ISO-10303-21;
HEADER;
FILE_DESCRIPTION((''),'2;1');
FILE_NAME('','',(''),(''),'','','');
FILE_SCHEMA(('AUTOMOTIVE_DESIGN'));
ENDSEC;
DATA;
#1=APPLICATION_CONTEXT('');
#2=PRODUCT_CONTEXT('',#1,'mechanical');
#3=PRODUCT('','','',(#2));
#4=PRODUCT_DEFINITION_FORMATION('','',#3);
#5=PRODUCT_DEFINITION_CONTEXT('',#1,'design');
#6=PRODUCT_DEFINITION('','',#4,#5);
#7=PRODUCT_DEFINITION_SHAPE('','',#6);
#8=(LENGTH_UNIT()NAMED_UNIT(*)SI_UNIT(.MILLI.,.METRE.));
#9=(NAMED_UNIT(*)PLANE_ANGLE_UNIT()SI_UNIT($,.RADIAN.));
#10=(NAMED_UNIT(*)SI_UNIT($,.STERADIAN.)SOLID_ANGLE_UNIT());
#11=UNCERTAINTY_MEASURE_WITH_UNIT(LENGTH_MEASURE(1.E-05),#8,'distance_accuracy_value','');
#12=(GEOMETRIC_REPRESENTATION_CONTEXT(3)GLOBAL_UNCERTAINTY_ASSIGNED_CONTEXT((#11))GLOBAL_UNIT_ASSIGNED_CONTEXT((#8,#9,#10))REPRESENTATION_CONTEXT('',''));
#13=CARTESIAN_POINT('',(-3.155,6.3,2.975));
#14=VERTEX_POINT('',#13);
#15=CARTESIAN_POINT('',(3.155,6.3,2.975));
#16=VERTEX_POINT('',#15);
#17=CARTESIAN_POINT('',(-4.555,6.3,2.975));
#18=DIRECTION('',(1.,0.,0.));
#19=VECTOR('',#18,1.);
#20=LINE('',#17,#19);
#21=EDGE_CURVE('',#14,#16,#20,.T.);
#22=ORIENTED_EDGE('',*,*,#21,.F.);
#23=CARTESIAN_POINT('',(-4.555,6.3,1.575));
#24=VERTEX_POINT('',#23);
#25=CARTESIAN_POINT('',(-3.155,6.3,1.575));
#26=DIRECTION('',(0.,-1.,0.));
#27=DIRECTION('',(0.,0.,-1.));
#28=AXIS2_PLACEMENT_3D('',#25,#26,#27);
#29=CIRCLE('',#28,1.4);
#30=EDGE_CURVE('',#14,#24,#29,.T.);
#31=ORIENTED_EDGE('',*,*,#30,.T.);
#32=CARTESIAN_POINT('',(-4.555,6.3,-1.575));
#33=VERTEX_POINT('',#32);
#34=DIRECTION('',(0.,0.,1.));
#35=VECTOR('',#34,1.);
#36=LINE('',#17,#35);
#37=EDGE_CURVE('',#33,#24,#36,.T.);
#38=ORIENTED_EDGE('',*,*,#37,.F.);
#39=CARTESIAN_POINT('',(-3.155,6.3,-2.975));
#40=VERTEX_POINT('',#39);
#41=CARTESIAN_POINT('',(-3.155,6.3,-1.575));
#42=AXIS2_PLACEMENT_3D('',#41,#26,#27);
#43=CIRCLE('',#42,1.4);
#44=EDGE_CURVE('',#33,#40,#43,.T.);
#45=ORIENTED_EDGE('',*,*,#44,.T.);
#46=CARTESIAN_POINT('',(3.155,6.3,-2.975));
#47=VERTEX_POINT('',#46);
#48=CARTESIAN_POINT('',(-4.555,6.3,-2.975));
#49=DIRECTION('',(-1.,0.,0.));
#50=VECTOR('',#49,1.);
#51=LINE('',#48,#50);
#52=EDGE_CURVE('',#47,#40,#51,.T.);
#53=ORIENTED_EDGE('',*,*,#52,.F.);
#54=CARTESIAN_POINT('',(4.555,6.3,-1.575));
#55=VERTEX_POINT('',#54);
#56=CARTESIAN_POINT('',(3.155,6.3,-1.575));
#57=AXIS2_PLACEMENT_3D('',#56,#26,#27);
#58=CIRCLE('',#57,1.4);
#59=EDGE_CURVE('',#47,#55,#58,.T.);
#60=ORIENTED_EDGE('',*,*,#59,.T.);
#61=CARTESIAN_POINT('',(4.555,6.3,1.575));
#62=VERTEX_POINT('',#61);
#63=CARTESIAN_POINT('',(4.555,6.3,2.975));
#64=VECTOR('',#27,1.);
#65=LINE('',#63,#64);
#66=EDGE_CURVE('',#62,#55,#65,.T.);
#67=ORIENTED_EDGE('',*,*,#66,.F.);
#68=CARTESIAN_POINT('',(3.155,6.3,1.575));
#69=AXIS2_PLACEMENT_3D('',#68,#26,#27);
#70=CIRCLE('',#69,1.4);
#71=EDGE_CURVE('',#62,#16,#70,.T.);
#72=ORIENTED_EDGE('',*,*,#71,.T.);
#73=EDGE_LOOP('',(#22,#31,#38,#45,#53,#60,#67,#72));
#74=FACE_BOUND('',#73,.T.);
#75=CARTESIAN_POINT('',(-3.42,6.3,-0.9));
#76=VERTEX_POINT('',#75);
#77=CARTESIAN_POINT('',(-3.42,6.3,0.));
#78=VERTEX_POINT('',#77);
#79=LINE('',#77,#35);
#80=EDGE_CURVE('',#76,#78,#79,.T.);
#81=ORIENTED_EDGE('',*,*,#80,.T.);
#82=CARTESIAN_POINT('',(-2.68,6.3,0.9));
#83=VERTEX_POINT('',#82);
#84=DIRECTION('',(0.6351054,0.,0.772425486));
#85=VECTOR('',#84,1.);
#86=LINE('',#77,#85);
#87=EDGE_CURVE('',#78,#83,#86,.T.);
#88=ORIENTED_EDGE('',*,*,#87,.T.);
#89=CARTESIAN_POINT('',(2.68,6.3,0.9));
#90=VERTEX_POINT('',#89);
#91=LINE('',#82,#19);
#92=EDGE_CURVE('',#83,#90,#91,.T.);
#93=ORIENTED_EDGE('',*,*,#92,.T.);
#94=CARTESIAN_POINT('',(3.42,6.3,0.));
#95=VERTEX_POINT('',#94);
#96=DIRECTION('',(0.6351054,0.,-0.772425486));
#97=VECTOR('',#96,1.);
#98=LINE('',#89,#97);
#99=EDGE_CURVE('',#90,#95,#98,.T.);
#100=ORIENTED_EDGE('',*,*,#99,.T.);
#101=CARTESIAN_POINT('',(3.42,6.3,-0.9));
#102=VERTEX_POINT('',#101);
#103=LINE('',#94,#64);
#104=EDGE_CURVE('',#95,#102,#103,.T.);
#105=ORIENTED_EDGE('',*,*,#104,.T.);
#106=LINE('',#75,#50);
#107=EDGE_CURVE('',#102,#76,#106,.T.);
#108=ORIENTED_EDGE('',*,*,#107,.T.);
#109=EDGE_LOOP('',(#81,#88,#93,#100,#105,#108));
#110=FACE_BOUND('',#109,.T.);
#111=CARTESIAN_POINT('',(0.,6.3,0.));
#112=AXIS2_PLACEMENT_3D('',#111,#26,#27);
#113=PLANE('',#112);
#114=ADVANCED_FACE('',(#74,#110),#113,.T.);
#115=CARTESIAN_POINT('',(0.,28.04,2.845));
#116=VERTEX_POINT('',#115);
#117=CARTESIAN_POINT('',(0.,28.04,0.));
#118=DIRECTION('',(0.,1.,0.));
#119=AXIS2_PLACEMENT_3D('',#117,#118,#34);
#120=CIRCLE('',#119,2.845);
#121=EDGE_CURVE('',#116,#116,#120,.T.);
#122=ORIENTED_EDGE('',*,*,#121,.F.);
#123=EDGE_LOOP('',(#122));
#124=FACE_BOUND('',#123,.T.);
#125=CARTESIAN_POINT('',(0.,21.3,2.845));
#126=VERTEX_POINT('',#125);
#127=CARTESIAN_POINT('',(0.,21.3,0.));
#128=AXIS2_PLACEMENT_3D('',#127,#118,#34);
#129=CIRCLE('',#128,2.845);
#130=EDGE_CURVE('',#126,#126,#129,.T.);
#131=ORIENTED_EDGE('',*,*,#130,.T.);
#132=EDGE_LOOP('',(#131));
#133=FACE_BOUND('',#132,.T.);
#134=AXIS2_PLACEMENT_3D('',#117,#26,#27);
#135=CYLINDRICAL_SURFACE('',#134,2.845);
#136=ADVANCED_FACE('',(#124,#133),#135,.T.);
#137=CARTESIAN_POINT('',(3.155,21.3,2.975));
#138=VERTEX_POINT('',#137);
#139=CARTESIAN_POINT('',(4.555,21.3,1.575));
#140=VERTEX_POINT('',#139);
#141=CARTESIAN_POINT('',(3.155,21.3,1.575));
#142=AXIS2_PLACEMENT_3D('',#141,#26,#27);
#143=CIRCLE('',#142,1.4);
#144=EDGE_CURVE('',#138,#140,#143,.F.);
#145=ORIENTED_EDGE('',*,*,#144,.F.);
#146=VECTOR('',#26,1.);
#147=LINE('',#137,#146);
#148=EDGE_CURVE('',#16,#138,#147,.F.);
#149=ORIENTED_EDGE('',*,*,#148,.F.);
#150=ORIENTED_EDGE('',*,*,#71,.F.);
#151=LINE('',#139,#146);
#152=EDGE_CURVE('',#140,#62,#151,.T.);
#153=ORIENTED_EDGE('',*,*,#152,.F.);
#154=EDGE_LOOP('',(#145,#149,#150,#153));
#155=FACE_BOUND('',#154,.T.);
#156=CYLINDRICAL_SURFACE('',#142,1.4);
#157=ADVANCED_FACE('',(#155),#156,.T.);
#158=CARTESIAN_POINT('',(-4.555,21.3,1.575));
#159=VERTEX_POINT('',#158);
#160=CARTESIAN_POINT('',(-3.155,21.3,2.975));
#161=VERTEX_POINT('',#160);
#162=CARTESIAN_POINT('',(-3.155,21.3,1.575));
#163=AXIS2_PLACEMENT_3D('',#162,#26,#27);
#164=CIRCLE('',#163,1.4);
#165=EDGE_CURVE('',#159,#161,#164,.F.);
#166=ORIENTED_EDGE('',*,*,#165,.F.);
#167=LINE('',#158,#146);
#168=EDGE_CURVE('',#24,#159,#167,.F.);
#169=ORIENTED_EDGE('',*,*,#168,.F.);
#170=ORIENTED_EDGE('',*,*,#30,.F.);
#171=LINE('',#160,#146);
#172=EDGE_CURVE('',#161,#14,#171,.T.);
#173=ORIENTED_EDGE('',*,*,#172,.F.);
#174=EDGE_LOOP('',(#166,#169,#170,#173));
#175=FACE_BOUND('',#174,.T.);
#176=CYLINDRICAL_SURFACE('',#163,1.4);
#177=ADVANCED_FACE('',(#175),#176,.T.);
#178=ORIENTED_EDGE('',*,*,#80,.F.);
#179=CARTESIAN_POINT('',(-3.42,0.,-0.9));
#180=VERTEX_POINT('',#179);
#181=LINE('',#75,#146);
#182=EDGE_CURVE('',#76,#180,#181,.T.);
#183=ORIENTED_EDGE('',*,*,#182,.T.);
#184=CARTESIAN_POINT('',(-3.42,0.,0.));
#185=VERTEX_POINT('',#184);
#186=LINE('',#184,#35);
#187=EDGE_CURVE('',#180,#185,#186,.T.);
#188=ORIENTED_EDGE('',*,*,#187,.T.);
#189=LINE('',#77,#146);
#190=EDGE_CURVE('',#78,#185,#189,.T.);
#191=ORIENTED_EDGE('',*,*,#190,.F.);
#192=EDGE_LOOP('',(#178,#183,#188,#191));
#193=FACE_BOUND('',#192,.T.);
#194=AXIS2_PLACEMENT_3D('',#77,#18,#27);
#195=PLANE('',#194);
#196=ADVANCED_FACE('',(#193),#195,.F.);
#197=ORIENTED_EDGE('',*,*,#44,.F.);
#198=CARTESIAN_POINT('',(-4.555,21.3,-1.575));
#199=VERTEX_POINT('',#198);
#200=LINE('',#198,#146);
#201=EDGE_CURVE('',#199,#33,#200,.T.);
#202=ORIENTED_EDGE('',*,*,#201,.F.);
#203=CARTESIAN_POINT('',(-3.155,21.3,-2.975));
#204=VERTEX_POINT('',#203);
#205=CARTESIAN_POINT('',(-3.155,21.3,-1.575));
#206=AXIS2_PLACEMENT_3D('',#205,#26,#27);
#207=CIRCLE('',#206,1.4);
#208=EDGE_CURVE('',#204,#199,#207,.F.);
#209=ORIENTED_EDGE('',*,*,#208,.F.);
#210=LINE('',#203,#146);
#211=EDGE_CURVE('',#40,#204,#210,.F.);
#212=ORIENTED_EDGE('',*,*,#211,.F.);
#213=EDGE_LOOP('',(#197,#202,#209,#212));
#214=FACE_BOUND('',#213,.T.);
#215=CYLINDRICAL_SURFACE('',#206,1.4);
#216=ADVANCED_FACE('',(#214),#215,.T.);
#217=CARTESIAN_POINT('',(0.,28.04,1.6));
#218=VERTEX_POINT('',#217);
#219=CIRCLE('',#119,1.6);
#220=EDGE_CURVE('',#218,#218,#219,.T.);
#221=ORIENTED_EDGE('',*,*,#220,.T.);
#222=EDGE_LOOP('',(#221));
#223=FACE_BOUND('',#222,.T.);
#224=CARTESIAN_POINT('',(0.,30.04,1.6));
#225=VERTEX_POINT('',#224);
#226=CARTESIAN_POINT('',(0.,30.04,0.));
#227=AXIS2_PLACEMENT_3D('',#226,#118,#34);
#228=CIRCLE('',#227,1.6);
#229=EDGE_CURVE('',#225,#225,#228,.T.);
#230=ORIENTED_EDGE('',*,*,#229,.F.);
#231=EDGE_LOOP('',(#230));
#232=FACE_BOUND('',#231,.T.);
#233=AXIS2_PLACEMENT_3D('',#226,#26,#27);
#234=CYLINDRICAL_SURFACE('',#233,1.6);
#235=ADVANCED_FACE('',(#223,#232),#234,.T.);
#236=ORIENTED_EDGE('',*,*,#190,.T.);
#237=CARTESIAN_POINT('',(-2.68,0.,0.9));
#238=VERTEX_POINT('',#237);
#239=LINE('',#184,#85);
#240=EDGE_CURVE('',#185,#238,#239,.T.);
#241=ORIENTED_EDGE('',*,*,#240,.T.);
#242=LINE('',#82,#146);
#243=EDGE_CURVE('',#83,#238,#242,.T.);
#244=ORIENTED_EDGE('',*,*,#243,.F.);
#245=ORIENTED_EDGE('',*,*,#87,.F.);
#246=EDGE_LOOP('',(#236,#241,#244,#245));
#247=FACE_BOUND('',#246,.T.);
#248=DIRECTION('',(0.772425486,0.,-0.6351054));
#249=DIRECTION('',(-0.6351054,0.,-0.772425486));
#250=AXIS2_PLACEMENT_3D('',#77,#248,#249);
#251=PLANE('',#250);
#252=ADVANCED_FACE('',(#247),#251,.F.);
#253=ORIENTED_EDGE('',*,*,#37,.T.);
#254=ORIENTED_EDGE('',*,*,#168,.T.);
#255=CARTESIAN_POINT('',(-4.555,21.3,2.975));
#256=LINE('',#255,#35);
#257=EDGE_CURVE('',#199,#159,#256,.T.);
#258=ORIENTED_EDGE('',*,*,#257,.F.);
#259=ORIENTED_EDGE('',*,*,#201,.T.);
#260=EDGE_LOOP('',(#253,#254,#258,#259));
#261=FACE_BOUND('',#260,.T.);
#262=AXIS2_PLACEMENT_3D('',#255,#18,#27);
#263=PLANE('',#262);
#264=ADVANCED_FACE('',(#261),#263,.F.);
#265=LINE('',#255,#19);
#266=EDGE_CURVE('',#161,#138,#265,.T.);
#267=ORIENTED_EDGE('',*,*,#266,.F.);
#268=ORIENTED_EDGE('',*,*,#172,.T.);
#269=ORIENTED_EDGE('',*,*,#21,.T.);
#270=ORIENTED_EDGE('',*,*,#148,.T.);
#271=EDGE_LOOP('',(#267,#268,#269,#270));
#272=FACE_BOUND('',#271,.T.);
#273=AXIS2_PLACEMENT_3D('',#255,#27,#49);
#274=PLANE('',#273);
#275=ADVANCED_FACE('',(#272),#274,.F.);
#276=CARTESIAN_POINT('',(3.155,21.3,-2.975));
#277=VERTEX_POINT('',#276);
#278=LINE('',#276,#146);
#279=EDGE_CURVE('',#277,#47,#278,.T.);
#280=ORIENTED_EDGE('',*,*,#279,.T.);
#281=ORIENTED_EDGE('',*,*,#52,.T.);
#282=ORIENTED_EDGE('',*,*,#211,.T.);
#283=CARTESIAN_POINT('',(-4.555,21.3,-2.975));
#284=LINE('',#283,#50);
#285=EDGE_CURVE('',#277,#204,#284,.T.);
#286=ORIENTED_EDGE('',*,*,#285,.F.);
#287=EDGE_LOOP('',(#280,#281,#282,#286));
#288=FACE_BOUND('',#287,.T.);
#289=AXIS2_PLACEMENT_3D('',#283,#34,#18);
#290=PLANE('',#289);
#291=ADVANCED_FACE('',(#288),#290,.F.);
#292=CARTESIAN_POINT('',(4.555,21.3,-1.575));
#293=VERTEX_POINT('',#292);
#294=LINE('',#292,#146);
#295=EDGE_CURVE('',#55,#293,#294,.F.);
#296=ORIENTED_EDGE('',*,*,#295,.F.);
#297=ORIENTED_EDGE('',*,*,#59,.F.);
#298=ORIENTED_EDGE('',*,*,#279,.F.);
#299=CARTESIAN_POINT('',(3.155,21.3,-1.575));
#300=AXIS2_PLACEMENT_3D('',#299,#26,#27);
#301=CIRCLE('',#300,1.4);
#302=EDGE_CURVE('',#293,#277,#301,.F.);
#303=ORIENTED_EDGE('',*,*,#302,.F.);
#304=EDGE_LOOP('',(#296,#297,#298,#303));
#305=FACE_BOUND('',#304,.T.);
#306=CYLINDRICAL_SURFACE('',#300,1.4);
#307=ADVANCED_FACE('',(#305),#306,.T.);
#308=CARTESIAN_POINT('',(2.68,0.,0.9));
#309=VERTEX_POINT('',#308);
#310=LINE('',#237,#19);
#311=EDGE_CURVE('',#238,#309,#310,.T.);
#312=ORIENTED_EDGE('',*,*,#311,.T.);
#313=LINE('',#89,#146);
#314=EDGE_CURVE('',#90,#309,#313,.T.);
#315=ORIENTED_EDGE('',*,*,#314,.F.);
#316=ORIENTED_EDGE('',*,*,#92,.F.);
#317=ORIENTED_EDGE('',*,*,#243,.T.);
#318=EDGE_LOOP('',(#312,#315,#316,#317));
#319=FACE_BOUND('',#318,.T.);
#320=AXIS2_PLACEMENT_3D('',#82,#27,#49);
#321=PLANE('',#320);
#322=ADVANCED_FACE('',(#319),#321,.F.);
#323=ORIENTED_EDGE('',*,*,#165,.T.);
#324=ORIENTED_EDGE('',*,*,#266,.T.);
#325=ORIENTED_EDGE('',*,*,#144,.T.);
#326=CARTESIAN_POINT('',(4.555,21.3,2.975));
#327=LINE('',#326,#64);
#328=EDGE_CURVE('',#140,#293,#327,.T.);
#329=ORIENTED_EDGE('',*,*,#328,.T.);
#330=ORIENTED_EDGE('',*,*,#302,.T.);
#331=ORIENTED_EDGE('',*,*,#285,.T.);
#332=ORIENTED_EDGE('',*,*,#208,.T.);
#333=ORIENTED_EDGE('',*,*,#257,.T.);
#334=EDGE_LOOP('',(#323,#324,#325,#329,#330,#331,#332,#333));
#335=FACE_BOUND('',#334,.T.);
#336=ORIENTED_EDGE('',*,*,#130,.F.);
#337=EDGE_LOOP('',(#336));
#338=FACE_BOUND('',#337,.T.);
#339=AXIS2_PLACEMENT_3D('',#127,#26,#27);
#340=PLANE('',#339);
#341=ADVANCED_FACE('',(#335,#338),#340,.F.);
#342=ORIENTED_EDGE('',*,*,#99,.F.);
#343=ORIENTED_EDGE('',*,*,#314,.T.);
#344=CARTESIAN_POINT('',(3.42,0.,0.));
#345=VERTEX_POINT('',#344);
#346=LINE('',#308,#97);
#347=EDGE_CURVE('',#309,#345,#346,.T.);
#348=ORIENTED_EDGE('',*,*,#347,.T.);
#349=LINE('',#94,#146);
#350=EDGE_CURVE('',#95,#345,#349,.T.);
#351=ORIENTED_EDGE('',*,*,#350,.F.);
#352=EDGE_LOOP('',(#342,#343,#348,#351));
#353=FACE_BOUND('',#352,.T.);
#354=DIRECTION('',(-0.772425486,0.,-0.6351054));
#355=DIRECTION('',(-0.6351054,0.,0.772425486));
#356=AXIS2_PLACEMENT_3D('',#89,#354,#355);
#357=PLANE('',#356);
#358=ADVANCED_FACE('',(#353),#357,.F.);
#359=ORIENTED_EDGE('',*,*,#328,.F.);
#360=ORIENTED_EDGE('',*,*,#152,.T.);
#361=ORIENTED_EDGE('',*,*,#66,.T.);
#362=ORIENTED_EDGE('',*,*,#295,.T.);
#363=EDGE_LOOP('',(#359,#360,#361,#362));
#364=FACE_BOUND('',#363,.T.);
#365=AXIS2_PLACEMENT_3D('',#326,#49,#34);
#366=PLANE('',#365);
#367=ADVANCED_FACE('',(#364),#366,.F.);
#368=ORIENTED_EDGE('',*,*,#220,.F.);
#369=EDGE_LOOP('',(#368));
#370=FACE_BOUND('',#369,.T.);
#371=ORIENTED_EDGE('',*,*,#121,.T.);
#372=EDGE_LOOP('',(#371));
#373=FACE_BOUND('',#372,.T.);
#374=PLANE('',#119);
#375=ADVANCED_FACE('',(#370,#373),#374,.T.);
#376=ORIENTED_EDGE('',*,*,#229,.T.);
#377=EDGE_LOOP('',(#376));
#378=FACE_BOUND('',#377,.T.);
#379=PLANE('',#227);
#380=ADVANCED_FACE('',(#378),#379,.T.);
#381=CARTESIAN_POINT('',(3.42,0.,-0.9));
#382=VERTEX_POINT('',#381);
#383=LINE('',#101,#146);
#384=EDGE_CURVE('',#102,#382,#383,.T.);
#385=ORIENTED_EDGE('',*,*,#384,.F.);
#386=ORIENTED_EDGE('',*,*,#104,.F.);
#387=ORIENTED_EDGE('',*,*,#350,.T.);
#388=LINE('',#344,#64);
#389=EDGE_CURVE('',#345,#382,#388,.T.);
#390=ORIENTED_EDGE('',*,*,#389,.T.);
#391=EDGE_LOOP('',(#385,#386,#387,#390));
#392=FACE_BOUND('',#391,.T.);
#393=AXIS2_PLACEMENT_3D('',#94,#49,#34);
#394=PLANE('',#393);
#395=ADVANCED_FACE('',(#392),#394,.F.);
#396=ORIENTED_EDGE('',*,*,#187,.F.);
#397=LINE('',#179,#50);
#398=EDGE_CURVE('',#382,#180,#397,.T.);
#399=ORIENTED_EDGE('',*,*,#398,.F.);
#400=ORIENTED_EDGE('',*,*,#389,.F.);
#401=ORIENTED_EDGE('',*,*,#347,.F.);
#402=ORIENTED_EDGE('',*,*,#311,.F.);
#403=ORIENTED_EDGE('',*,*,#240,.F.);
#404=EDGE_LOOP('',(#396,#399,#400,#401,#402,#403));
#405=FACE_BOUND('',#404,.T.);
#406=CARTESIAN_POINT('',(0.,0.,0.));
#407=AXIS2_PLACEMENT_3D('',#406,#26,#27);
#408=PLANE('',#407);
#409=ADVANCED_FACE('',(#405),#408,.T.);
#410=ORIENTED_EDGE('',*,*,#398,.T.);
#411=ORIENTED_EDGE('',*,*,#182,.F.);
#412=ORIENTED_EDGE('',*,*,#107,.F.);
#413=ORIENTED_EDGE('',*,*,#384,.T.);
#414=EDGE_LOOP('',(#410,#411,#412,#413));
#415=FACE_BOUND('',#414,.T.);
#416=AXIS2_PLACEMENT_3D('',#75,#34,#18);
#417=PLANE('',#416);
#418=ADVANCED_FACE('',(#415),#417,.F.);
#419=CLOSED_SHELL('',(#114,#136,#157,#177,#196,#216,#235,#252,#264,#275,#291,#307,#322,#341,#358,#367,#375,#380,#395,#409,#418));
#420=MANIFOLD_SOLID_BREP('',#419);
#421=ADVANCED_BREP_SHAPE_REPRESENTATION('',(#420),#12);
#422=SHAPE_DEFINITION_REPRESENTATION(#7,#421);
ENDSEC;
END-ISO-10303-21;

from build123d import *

# Parameters (mm, degrees)
BOSS_EXTRUDE1_DEPTH = 6.3
SKETCH2_W           = 9.11
SKETCH2_H           = 5.95
BOSS_EXTRUDE2_DEPTH = 15
FILLET1_R           = 1.4
SKETCH4_R           = 2.845
BOSS_EXTRUDE3_DEPTH = 6.74
SKETCH5_R           = 1.6
BOSS_EXTRUDE4_DEPTH = 2


with BuildPart() as part:
    # Sketch1 → Boss-Extrude1 (new body)
    with BuildSketch(Plane(origin=(0, 0, 0), x_dir=(1, 0, 0), z_dir=(0, 1, 0))):
        Polygon((-3.42, 0), (-2.68, -0.9), (2.68, -0.9), (3.42, 0), (3.42, 0.9), (-3.42, 0.9), align=None)
    extrude(amount=BOSS_EXTRUDE1_DEPTH)

    # Sketch2 → Boss-Extrude2 (add)
    with BuildSketch(Plane(origin=(0, 6.3, 0), x_dir=(1, 0, 0), z_dir=(0, 1, 0))):
        Rectangle(SKETCH2_W, SKETCH2_H)
    extrude(amount=BOSS_EXTRUDE2_DEPTH)

    # Fillet1
    fillet1_edges = [part.edges().sort_by_distance(p)[0] for p in [
        (4.555, 13.8, 2.975),
        (4.555, 13.8, -2.975),
        (-4.555, 13.8, -2.975),
        (-4.555, 13.8, 2.975),
    ]]
    fillet(fillet1_edges, radius=FILLET1_R)

    # Sketch4 → Boss-Extrude3 (add)
    with BuildSketch(Plane(origin=(0, 21.3, 0), x_dir=(1, 0, 0), z_dir=(0, 1, 0))):
        with Locations(Location((0, 0, 0), (0, 0, 270))):
            Circle(SKETCH4_R)
    extrude(amount=BOSS_EXTRUDE3_DEPTH)

    # Sketch5 → Boss-Extrude4 (add)
    with BuildSketch(Plane(origin=(0, 28.04, 0), x_dir=(1, 0, 0), z_dir=(0, 1, 0))):
        with Locations(Location((0, 0, 0), (0, 0, 270))):
            Circle(SKETCH5_R)
    extrude(amount=BOSS_EXTRUDE4_DEPTH)


solid = part.part
